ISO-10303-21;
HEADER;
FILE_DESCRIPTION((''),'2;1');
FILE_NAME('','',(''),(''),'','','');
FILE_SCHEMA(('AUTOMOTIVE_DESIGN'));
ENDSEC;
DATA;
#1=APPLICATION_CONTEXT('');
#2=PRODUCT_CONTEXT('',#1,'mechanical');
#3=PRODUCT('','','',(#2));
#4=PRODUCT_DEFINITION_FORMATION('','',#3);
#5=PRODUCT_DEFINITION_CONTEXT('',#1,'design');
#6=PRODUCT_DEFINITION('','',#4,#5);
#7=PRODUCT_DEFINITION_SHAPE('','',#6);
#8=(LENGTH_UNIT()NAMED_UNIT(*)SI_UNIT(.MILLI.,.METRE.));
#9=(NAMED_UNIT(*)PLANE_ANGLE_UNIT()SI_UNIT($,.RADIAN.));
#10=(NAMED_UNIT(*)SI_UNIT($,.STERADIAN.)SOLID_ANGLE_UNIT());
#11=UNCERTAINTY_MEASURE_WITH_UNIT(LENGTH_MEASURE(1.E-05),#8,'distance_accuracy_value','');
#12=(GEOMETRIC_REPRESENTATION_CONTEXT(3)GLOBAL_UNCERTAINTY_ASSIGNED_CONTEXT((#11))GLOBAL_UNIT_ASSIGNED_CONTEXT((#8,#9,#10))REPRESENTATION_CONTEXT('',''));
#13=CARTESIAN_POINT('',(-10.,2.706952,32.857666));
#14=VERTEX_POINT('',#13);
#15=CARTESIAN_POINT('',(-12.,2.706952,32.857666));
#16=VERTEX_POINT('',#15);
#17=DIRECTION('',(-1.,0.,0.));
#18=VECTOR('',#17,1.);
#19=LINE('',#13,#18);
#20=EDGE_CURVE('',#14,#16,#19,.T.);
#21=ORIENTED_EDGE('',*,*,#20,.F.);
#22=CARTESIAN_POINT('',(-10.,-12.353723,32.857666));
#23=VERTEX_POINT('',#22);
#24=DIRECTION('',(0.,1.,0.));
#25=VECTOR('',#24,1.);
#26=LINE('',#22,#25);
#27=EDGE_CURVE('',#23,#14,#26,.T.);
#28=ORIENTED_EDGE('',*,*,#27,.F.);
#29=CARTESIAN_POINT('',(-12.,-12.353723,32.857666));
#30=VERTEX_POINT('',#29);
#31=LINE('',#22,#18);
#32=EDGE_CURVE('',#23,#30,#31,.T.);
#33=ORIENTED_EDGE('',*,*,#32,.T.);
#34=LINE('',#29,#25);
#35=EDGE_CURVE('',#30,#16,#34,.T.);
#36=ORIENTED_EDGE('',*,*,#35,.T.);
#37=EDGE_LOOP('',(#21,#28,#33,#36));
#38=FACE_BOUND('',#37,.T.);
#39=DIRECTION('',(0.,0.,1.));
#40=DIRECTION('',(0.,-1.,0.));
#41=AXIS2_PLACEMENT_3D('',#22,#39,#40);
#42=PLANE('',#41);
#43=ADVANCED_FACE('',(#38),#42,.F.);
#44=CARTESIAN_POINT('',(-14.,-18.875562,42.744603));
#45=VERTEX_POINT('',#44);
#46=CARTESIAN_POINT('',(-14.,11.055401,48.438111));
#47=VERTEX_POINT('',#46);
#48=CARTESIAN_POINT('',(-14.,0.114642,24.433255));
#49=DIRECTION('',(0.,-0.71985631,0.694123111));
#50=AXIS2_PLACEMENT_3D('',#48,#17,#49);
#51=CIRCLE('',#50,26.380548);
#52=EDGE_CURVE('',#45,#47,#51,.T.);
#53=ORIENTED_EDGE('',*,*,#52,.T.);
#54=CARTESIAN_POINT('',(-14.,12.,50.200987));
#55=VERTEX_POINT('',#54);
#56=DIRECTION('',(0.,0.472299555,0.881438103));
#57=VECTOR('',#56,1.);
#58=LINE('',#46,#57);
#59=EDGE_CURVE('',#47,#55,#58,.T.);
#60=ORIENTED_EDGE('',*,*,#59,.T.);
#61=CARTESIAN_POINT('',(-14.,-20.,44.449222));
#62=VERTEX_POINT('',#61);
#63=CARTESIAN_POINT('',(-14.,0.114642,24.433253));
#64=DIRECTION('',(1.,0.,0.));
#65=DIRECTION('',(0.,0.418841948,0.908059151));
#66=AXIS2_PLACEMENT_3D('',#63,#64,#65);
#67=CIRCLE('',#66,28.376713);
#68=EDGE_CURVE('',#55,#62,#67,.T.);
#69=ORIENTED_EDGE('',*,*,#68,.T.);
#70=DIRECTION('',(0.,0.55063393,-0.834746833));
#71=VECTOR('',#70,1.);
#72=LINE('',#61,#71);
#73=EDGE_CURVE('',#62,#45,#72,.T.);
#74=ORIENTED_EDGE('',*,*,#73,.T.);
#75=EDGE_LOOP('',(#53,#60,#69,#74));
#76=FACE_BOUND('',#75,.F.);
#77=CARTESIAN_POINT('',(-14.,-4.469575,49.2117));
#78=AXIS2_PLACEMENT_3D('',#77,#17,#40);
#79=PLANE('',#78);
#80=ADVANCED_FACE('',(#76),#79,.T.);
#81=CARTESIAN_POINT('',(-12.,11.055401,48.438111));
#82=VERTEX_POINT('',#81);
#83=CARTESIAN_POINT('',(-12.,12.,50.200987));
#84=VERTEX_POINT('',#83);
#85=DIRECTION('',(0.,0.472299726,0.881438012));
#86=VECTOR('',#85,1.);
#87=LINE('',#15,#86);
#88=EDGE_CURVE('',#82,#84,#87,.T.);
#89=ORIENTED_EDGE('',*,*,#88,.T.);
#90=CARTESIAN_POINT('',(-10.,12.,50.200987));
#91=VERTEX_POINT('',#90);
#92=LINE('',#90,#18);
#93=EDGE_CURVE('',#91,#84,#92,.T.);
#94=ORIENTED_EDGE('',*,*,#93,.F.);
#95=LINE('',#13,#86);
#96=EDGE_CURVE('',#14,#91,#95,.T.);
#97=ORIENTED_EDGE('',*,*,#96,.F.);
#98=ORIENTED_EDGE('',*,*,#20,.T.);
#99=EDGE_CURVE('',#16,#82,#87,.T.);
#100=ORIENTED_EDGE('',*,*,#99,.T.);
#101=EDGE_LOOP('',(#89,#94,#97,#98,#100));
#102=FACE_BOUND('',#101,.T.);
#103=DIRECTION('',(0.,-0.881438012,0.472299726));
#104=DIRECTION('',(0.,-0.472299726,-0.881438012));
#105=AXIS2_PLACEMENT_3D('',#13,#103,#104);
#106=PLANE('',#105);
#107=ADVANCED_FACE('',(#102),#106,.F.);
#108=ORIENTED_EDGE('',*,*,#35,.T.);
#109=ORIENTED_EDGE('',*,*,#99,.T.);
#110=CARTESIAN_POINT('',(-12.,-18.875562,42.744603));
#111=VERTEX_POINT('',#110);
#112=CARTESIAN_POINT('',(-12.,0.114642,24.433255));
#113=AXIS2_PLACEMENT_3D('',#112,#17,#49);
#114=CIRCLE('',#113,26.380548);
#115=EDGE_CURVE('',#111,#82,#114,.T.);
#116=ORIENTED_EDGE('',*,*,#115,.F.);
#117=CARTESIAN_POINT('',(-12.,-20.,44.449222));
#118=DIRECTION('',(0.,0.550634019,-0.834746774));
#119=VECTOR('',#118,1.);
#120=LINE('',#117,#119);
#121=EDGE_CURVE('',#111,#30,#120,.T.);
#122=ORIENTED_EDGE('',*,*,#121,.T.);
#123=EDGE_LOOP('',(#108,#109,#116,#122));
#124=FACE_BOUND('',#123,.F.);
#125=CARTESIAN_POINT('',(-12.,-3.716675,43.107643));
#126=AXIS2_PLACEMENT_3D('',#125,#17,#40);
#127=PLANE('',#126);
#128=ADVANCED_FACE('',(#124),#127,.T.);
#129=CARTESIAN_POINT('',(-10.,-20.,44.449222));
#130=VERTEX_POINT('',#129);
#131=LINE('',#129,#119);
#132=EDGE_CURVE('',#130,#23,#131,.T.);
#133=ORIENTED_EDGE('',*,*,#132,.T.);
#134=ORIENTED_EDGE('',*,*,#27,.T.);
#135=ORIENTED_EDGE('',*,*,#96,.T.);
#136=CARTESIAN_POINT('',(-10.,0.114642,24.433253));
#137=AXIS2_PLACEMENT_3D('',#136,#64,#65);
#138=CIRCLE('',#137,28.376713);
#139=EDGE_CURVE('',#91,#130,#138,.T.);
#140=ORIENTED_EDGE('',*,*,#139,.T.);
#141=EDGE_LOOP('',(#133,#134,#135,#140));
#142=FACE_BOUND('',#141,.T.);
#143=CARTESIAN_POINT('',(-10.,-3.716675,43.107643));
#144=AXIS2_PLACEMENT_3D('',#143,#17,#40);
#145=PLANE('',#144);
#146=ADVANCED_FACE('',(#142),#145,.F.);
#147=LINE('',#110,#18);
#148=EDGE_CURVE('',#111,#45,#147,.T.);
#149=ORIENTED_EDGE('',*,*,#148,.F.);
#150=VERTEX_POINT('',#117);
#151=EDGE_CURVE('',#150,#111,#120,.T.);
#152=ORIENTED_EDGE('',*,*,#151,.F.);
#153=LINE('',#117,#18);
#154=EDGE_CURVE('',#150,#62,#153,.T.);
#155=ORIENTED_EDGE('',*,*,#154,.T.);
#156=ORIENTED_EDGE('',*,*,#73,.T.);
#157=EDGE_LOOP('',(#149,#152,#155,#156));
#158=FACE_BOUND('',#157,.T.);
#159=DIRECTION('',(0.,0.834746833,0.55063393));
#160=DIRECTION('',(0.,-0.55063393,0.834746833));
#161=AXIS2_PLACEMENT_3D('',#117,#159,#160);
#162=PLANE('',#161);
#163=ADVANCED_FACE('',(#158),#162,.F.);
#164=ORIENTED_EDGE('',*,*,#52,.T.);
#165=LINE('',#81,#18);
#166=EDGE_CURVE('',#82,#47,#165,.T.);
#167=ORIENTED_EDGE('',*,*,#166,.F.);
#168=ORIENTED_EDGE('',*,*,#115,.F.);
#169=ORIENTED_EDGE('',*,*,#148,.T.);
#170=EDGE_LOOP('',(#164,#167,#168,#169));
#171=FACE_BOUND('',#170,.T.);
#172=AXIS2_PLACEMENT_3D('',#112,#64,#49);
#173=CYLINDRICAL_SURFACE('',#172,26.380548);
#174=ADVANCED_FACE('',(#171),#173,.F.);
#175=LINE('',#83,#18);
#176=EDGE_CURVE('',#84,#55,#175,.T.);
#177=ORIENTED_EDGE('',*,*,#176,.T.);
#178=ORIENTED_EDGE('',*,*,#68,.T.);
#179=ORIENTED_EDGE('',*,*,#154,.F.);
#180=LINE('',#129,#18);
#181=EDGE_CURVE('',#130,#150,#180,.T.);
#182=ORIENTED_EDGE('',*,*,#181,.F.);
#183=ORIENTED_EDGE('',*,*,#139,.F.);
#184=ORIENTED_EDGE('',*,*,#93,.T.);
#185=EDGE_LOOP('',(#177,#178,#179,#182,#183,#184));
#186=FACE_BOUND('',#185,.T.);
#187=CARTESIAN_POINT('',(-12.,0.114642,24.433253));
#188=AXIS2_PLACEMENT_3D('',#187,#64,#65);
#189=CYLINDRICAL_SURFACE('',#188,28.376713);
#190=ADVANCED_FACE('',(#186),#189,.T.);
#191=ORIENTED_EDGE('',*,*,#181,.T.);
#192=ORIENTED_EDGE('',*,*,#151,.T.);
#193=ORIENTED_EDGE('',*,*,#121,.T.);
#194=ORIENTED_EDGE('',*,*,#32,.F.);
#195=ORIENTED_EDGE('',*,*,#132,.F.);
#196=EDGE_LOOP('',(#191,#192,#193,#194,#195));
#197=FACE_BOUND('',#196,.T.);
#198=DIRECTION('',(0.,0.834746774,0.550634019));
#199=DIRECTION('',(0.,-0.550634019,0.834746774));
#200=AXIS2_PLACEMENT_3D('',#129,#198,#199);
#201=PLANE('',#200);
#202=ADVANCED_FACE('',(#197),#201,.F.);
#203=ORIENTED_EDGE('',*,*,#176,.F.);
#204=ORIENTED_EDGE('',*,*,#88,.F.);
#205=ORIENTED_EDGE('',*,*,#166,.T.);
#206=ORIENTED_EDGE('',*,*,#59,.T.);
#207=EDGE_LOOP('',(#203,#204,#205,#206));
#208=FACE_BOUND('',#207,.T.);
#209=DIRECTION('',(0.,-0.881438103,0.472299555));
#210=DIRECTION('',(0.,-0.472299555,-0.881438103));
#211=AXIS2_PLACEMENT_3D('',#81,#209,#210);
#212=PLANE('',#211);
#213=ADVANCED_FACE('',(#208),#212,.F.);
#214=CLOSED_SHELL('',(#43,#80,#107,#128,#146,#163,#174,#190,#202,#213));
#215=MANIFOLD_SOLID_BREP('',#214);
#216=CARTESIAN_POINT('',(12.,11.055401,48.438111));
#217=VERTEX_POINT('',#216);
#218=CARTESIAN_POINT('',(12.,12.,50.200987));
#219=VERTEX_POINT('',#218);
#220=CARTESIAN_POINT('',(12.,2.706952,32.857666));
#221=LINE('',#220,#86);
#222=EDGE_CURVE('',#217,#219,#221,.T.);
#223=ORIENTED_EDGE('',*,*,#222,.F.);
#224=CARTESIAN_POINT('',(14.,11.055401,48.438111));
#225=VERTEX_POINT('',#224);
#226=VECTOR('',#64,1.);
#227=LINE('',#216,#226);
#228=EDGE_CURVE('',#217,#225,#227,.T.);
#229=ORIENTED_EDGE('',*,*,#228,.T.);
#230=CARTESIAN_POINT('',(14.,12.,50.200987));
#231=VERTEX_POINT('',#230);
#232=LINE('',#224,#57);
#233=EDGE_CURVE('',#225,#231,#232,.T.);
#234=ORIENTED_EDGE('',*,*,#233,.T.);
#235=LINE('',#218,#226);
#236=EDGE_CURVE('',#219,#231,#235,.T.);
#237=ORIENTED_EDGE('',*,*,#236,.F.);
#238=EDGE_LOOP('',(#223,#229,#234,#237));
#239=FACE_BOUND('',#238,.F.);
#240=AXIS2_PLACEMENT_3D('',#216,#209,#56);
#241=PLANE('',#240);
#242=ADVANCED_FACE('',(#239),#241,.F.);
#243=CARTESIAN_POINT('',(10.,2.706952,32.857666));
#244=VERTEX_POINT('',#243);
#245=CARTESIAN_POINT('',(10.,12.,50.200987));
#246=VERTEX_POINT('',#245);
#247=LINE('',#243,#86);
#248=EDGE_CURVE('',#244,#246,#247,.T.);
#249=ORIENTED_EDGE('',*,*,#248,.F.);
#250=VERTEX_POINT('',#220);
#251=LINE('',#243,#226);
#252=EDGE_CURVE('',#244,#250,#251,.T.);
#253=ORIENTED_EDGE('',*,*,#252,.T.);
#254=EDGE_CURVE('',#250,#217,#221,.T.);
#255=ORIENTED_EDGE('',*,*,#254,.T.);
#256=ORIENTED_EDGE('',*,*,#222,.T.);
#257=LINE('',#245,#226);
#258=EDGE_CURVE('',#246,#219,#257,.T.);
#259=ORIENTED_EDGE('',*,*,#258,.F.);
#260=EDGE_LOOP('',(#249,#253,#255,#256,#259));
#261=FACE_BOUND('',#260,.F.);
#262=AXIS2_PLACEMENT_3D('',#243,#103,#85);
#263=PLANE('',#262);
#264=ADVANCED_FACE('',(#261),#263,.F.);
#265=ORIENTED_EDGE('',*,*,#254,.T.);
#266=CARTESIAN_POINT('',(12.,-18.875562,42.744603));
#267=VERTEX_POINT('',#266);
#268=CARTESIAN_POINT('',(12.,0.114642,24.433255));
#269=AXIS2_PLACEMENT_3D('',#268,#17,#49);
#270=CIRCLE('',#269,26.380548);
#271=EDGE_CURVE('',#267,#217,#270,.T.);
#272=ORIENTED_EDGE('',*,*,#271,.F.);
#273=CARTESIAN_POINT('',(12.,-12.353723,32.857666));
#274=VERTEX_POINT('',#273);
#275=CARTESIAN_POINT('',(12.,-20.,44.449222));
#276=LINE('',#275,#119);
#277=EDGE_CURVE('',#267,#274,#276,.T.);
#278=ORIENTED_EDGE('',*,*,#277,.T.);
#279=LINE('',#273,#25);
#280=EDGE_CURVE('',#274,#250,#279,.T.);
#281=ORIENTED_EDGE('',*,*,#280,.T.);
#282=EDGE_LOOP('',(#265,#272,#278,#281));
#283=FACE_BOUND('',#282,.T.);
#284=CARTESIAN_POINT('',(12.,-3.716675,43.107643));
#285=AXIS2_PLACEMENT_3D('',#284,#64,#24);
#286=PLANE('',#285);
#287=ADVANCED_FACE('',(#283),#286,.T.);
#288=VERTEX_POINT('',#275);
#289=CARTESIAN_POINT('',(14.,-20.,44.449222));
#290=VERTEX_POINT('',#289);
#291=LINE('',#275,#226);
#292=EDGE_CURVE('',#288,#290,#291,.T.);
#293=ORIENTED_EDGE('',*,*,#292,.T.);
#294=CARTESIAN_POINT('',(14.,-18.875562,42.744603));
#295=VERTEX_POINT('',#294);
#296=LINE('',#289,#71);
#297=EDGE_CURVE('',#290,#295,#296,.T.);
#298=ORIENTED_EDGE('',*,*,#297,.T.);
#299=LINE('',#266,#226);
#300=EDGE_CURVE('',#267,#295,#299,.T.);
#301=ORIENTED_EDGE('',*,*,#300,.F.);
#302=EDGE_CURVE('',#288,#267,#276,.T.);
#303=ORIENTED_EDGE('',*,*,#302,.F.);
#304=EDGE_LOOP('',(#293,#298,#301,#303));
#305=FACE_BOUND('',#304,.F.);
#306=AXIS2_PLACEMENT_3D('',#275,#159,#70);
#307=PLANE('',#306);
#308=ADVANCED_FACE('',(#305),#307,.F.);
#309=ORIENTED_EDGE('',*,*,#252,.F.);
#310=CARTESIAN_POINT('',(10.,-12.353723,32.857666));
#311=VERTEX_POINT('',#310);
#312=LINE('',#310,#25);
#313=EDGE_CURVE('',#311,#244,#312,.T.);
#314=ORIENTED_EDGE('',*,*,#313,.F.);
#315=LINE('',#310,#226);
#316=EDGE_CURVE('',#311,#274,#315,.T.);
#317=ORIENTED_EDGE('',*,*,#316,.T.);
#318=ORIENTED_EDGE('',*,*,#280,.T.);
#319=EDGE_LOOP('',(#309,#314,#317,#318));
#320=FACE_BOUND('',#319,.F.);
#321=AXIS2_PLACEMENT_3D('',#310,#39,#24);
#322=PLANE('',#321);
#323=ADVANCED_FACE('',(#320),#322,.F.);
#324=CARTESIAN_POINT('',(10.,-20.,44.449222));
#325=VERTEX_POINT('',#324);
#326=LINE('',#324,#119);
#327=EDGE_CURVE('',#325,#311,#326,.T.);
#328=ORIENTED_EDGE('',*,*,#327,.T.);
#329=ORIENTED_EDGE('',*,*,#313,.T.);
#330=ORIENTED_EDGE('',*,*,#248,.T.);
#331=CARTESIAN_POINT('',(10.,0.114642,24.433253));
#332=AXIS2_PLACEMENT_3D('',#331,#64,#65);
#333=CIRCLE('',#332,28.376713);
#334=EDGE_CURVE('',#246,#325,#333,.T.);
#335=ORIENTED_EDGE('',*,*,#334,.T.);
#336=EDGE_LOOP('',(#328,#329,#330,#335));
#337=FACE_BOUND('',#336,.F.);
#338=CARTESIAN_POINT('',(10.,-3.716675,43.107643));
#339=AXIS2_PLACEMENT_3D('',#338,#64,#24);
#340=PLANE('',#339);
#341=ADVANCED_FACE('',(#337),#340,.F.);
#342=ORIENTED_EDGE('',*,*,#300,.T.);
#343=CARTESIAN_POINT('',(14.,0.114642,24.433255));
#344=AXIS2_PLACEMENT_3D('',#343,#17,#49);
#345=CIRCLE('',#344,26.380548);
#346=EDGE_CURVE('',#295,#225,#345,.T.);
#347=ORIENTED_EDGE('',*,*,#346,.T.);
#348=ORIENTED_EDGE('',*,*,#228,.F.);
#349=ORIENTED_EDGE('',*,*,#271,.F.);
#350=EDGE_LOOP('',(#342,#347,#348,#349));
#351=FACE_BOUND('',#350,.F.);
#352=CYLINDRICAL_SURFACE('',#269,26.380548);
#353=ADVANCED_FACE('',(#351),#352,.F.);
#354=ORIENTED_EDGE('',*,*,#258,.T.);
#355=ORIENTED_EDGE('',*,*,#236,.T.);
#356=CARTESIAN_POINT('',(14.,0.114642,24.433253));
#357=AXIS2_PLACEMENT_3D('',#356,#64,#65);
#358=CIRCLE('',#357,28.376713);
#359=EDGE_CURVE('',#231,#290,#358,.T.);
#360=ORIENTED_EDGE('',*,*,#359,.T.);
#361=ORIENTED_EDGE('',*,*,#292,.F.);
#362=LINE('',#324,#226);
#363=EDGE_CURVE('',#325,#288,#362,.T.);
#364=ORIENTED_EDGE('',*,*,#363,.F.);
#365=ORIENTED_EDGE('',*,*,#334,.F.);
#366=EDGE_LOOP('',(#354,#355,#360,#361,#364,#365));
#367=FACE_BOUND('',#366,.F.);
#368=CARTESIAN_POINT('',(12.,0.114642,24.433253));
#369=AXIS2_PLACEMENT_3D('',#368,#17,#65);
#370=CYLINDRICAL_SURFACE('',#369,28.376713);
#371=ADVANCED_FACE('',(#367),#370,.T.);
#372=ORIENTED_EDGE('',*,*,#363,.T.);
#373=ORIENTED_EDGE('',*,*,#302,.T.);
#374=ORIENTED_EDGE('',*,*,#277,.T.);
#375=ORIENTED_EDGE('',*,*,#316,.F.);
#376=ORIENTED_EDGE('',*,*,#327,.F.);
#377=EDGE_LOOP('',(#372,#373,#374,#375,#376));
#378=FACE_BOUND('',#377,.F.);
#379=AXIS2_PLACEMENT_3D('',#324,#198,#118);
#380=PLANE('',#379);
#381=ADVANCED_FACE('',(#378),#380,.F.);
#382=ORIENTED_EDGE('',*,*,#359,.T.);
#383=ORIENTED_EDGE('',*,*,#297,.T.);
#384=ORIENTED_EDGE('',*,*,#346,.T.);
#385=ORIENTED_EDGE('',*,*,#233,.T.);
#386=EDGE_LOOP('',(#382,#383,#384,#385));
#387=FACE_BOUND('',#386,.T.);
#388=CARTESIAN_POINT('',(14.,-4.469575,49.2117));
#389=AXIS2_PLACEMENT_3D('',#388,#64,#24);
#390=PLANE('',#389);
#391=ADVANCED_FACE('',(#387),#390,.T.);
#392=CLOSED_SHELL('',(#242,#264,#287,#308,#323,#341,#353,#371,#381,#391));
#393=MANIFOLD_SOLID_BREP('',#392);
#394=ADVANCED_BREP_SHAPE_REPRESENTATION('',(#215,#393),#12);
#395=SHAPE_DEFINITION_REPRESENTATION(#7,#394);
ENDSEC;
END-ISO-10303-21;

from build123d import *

# Parameters (mm, degrees)
PAD_DEPTH    = 2
PAD002_DEPTH = 2


with BuildPart() as part:
    # Sketch002 (on DatumPlane) → Pad (new body)
    with BuildSketch(Plane.YZ.offset(10)):
        with BuildLine():
            Line((-20, 44.449222), (-12.353723, 32.857666))
            Line((-12.353723, 32.857666), (2.706952, 32.857666))
            Line((2.706952, 32.857666), (12, 50.200987))
            ThreePointArc((12, 50.200987), (-4.905416, 52.362393), (-20, 44.449222))
        make_face()
    pad = extrude(amount=PAD_DEPTH)

    # Sketch009 (on Face6 of Pad) → Pad002 (join)
    with BuildSketch(Plane.YZ.offset(12)):
        with BuildLine():
            ThreePointArc((12, 50.200987), (-4.905416, 52.362393), (-20, 44.449222))
            Line((-20, 44.449222), (-18.875562, 42.744603))
            ThreePointArc((-18.875562, 42.744603), (-4.815104, 50.349098), (11.055401, 48.438111))
            Line((11.055401, 48.438111), (12, 50.200987))
        make_face()
    pad002 = extrude(amount=PAD002_DEPTH)

    # Mirrored001: Pad, Pad002 across YZ
    add(pad.mirror(Plane.YZ))
    add(pad002.mirror(Plane.YZ))


solid = part.part
